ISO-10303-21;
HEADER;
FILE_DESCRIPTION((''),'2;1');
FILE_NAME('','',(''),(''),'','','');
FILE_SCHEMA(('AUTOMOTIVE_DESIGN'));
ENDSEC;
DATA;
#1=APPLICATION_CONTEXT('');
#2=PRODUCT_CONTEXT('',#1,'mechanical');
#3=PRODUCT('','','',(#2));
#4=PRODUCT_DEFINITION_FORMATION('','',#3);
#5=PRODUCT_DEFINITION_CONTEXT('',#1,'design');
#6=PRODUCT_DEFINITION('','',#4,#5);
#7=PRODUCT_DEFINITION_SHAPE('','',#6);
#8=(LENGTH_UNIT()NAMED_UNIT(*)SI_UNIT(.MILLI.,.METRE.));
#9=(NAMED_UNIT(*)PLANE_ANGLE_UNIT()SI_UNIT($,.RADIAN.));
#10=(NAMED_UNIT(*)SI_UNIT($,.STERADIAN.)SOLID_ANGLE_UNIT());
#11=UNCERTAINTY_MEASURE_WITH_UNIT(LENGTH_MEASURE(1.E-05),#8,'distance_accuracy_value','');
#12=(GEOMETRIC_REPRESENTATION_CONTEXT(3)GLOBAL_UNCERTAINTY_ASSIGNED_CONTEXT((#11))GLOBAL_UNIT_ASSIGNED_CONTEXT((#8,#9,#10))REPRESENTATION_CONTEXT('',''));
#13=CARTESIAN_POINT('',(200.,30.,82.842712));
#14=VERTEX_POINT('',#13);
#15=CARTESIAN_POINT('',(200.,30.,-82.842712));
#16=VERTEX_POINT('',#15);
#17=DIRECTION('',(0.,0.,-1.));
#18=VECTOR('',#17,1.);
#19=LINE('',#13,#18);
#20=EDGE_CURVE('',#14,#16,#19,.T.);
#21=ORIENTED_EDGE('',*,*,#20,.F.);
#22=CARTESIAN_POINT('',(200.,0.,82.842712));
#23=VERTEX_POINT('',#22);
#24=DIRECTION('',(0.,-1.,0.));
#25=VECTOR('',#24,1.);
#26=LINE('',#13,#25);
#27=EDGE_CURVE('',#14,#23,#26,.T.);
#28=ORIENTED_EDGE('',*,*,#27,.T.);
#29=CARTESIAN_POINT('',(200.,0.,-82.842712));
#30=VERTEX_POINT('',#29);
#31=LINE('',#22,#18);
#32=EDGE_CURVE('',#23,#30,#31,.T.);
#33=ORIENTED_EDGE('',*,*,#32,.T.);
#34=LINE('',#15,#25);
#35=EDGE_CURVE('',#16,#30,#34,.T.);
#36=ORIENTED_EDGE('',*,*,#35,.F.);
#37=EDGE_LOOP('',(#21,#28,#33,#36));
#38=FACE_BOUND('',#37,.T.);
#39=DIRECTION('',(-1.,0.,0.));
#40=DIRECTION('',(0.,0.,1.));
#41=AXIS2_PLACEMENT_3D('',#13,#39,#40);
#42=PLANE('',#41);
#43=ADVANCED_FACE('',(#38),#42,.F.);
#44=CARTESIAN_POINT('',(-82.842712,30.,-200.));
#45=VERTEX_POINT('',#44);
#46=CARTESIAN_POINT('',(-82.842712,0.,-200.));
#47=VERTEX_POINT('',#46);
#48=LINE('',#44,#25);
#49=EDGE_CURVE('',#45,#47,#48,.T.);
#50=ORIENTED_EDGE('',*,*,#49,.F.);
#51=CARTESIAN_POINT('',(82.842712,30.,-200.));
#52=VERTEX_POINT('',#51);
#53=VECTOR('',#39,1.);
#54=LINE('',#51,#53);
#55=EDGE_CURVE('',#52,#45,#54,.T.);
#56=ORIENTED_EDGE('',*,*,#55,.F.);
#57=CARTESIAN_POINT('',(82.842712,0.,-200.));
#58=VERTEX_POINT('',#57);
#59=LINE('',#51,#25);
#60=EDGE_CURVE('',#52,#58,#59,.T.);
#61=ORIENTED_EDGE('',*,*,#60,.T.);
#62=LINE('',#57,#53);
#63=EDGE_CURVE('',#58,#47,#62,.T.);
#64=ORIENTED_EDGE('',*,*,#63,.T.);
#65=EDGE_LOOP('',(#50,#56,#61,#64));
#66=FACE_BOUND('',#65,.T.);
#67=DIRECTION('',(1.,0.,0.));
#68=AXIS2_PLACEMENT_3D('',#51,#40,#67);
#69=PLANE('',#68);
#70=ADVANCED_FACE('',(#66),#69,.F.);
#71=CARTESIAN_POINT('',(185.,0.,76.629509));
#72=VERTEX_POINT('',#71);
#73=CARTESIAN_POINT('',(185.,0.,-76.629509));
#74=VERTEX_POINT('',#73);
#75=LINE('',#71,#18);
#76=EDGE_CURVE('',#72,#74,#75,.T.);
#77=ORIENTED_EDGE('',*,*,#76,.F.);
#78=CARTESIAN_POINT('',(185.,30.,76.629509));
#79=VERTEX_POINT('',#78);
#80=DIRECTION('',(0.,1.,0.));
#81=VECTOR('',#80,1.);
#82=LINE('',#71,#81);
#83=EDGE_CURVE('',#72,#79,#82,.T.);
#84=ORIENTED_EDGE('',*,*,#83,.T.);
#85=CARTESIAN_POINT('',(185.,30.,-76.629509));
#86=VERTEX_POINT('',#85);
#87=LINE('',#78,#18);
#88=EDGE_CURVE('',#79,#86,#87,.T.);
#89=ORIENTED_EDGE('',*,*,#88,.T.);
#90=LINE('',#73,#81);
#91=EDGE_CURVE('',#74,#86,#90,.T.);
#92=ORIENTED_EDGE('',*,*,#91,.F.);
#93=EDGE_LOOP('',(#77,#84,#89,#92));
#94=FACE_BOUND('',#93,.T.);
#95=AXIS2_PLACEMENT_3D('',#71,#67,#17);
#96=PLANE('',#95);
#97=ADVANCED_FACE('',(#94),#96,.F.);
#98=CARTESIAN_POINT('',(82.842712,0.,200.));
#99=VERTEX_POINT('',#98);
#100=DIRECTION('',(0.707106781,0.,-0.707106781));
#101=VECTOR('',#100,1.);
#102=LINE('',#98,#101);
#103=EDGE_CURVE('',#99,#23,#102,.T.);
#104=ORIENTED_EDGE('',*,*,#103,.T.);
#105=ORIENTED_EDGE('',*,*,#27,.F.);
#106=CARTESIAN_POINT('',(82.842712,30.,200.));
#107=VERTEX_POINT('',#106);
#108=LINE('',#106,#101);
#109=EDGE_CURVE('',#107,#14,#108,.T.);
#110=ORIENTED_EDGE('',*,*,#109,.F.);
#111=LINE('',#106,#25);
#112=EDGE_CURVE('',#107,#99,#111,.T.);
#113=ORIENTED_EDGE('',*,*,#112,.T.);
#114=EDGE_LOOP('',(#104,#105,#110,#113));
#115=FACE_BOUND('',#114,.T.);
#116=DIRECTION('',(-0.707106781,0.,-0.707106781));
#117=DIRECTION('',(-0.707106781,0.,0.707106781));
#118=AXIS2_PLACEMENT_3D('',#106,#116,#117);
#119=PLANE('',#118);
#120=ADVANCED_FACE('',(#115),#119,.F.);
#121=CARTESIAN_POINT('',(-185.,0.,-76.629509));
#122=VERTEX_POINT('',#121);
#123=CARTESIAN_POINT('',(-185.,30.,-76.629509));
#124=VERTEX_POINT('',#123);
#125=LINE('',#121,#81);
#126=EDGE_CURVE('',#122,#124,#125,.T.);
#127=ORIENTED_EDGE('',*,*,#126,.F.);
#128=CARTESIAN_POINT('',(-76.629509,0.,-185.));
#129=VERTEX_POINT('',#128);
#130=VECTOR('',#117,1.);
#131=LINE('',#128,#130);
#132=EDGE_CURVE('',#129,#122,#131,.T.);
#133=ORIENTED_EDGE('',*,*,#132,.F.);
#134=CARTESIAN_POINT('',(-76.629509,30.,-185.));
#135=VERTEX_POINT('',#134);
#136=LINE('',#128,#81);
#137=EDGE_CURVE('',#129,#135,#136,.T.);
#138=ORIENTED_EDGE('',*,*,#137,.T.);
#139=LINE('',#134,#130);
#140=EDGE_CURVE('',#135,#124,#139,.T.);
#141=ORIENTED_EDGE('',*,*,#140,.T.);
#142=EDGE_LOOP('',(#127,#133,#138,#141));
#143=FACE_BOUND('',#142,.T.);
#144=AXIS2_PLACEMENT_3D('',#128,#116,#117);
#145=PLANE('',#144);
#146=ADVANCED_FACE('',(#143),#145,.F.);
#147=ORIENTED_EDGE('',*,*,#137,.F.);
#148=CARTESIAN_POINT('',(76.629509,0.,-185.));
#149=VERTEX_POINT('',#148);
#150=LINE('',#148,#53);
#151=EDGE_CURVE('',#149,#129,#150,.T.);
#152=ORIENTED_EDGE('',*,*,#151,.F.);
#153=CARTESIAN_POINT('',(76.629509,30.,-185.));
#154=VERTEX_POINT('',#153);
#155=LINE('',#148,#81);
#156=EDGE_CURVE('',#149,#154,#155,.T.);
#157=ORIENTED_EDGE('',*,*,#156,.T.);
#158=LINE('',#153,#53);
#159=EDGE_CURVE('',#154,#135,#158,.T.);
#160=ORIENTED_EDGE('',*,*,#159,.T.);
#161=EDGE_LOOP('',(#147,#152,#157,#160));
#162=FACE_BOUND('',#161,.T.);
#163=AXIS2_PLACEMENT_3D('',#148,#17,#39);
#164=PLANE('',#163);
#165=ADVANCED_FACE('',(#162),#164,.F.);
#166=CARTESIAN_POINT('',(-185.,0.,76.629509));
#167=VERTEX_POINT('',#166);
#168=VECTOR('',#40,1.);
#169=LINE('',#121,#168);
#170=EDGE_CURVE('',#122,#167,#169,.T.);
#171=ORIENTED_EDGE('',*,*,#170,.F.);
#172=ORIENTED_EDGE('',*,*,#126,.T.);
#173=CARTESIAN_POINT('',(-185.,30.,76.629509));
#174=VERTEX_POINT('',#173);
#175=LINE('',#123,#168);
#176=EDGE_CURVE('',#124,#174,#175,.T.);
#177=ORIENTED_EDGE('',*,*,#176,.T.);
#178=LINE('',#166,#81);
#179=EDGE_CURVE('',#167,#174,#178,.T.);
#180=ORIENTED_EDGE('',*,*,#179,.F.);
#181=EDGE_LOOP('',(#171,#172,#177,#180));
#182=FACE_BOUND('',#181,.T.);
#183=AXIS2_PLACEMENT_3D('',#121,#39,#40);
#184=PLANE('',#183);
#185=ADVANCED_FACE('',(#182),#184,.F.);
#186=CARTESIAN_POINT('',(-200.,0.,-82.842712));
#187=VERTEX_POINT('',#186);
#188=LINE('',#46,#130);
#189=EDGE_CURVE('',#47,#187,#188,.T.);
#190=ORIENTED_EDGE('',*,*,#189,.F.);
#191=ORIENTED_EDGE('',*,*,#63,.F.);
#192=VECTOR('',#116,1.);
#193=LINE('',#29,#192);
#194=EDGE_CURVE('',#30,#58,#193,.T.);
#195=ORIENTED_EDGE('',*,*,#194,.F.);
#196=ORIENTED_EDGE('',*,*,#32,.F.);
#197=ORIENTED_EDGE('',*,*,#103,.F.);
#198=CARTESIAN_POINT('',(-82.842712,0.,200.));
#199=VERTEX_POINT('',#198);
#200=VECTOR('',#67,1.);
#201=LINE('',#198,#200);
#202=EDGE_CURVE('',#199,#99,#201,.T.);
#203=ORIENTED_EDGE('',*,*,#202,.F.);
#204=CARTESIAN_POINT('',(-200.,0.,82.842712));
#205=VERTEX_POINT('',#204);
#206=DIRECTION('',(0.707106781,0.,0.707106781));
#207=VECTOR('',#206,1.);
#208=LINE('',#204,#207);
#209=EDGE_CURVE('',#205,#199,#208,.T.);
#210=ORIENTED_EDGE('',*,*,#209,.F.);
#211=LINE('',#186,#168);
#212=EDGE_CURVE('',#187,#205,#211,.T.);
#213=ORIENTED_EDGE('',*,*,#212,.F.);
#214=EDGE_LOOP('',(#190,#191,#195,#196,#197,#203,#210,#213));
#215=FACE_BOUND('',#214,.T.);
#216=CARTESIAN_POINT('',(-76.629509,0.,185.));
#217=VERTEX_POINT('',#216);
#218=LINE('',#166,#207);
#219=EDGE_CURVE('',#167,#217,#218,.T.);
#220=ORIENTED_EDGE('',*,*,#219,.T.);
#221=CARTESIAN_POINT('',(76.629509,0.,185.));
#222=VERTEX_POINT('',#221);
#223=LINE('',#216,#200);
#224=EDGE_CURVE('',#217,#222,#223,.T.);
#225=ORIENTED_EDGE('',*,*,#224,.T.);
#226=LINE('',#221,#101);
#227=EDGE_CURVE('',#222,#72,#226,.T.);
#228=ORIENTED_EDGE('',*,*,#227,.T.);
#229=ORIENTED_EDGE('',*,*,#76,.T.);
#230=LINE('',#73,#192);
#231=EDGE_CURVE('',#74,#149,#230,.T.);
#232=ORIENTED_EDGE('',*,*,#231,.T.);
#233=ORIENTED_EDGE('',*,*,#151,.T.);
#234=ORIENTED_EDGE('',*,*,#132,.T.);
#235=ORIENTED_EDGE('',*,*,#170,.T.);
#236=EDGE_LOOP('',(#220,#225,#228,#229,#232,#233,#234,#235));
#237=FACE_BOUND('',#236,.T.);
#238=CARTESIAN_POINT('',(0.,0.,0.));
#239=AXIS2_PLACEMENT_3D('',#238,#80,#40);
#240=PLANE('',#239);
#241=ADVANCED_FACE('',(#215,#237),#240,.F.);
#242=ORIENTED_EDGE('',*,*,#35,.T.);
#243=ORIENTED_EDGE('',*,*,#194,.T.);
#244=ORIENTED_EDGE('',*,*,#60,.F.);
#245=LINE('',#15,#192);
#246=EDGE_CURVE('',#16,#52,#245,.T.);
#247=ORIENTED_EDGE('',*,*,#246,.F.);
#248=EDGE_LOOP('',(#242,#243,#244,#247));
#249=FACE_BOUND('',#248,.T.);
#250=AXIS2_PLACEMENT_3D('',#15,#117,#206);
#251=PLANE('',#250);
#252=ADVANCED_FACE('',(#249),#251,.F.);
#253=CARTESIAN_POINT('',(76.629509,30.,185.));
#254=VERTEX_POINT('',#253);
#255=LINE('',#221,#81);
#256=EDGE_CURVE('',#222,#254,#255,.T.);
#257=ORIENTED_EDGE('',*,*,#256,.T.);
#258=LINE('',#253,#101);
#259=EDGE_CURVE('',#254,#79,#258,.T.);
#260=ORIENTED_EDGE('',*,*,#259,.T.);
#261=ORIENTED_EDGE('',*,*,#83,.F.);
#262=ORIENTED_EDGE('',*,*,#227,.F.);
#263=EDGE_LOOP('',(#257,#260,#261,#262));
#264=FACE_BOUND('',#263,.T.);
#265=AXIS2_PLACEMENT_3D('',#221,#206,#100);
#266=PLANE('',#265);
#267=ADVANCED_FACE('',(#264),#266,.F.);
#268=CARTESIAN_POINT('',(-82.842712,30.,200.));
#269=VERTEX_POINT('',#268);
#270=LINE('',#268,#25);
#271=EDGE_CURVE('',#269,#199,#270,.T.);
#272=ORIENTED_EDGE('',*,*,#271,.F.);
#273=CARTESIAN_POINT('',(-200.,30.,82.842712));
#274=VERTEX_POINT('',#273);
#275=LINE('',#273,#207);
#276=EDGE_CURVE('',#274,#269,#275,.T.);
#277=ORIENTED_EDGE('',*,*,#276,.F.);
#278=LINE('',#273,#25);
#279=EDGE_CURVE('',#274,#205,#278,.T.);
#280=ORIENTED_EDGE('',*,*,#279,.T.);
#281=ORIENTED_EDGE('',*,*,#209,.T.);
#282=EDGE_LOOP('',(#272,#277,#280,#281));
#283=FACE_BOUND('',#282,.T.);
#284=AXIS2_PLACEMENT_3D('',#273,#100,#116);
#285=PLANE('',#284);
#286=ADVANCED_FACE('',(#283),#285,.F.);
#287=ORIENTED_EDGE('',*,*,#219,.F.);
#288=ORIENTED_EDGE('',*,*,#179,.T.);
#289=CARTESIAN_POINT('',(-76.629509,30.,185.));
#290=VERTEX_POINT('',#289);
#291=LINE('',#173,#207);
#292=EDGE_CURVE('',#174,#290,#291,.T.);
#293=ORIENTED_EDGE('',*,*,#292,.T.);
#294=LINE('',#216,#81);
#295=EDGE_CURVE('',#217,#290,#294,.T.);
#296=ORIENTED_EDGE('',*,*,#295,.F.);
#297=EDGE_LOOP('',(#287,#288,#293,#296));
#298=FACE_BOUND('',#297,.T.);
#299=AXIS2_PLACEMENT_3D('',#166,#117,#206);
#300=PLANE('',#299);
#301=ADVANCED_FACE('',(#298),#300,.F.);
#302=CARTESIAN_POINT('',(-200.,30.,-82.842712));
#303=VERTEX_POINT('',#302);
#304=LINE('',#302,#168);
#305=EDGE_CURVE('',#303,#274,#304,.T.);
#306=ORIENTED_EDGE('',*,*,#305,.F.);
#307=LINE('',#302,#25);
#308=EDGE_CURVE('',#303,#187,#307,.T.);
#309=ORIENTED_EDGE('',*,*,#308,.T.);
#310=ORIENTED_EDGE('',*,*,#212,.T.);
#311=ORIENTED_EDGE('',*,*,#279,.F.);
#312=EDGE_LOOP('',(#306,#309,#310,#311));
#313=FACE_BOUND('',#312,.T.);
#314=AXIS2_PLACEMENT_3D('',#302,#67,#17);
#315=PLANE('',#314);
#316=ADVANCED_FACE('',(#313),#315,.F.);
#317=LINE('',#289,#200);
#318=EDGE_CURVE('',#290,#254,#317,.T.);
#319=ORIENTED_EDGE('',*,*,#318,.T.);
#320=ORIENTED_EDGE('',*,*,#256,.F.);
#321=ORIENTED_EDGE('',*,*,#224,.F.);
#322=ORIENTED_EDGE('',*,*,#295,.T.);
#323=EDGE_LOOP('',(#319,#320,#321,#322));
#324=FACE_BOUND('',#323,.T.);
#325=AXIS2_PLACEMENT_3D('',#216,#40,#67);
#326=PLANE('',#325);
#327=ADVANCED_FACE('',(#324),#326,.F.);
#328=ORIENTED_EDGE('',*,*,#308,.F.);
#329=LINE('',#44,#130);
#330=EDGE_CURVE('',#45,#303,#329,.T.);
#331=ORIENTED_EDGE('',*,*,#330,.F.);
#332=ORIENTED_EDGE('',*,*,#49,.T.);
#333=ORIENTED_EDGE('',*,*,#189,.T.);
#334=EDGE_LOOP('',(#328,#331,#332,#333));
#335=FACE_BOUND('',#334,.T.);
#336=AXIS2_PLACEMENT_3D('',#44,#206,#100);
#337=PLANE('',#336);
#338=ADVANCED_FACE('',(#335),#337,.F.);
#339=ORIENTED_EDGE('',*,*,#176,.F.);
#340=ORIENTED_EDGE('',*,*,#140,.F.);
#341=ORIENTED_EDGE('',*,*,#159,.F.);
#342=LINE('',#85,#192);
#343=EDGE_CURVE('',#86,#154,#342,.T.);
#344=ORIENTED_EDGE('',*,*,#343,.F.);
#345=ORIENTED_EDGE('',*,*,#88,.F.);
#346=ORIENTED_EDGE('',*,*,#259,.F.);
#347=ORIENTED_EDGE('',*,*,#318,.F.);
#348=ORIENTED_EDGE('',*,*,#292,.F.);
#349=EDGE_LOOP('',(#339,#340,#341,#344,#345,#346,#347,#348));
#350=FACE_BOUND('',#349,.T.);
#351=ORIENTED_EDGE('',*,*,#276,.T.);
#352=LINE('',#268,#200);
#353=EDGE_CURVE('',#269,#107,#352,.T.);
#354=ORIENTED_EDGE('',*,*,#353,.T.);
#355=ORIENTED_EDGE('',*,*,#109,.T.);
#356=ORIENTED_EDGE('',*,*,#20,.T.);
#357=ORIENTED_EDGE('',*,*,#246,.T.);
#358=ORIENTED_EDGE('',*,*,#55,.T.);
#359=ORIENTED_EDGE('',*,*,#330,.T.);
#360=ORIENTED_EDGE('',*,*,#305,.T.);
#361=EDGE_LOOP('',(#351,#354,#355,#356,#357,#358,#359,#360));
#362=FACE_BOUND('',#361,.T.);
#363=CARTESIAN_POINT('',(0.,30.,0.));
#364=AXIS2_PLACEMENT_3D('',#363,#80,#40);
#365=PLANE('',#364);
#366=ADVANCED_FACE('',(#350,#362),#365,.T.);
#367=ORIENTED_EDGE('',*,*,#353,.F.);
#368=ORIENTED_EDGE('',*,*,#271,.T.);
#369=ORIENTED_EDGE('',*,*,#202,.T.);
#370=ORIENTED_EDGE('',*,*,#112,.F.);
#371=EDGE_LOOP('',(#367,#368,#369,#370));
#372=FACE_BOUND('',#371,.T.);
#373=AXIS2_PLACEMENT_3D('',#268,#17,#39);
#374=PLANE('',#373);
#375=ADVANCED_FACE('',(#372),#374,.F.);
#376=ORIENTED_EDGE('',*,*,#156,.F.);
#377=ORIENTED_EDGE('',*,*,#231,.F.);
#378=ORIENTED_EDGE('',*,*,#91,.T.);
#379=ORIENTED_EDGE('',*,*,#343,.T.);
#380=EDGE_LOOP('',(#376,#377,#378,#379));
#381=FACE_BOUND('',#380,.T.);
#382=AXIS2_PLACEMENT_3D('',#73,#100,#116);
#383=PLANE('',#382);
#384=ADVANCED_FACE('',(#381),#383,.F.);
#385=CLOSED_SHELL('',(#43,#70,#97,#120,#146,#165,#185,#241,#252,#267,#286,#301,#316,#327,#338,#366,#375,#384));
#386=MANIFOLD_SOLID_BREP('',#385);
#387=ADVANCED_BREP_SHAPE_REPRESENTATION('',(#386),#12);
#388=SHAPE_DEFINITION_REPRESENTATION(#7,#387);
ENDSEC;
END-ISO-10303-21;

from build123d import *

# Parameters (mm, degrees)
RESSALTO_EXTRUS_O1_DEPTH = 30
CORTE_EXTRUS_O1_DEPTH    = 30


with BuildPart() as part:
    # Esboço2 → Ressalto-extrusão1 (new body)
    with BuildSketch(Plane(origin=(0, 0, 0), x_dir=(1, 0, 0), z_dir=(0, 1, 0))):
        Polygon((200, 82.842712475), (82.842712475, 200), (-82.842712475, 200), (-200, 82.842712475), (-200, -82.842712475), (-82.842712475, -200), (82.842712475, -200), (200, -82.842712475), align=None)
    extrude(amount=RESSALTO_EXTRUS_O1_DEPTH)

    # Esboço3 → Corte-extrusão1 (cut)
    with BuildSketch(Plane(origin=(0, 30, 0), x_dir=(1, 0, 0), z_dir=(0, 1, 0))):
        Polygon((185, 76.629509039), (76.629509039, 185), (-76.629509039, 185), (-185, 76.629509039), (-185, -76.629509039), (-76.629509039, -185), (76.629509039, -185), (185, -76.629509039), align=None)
    extrude(amount=-CORTE_EXTRUS_O1_DEPTH, mode=Mode.SUBTRACT)


solid = part.part
